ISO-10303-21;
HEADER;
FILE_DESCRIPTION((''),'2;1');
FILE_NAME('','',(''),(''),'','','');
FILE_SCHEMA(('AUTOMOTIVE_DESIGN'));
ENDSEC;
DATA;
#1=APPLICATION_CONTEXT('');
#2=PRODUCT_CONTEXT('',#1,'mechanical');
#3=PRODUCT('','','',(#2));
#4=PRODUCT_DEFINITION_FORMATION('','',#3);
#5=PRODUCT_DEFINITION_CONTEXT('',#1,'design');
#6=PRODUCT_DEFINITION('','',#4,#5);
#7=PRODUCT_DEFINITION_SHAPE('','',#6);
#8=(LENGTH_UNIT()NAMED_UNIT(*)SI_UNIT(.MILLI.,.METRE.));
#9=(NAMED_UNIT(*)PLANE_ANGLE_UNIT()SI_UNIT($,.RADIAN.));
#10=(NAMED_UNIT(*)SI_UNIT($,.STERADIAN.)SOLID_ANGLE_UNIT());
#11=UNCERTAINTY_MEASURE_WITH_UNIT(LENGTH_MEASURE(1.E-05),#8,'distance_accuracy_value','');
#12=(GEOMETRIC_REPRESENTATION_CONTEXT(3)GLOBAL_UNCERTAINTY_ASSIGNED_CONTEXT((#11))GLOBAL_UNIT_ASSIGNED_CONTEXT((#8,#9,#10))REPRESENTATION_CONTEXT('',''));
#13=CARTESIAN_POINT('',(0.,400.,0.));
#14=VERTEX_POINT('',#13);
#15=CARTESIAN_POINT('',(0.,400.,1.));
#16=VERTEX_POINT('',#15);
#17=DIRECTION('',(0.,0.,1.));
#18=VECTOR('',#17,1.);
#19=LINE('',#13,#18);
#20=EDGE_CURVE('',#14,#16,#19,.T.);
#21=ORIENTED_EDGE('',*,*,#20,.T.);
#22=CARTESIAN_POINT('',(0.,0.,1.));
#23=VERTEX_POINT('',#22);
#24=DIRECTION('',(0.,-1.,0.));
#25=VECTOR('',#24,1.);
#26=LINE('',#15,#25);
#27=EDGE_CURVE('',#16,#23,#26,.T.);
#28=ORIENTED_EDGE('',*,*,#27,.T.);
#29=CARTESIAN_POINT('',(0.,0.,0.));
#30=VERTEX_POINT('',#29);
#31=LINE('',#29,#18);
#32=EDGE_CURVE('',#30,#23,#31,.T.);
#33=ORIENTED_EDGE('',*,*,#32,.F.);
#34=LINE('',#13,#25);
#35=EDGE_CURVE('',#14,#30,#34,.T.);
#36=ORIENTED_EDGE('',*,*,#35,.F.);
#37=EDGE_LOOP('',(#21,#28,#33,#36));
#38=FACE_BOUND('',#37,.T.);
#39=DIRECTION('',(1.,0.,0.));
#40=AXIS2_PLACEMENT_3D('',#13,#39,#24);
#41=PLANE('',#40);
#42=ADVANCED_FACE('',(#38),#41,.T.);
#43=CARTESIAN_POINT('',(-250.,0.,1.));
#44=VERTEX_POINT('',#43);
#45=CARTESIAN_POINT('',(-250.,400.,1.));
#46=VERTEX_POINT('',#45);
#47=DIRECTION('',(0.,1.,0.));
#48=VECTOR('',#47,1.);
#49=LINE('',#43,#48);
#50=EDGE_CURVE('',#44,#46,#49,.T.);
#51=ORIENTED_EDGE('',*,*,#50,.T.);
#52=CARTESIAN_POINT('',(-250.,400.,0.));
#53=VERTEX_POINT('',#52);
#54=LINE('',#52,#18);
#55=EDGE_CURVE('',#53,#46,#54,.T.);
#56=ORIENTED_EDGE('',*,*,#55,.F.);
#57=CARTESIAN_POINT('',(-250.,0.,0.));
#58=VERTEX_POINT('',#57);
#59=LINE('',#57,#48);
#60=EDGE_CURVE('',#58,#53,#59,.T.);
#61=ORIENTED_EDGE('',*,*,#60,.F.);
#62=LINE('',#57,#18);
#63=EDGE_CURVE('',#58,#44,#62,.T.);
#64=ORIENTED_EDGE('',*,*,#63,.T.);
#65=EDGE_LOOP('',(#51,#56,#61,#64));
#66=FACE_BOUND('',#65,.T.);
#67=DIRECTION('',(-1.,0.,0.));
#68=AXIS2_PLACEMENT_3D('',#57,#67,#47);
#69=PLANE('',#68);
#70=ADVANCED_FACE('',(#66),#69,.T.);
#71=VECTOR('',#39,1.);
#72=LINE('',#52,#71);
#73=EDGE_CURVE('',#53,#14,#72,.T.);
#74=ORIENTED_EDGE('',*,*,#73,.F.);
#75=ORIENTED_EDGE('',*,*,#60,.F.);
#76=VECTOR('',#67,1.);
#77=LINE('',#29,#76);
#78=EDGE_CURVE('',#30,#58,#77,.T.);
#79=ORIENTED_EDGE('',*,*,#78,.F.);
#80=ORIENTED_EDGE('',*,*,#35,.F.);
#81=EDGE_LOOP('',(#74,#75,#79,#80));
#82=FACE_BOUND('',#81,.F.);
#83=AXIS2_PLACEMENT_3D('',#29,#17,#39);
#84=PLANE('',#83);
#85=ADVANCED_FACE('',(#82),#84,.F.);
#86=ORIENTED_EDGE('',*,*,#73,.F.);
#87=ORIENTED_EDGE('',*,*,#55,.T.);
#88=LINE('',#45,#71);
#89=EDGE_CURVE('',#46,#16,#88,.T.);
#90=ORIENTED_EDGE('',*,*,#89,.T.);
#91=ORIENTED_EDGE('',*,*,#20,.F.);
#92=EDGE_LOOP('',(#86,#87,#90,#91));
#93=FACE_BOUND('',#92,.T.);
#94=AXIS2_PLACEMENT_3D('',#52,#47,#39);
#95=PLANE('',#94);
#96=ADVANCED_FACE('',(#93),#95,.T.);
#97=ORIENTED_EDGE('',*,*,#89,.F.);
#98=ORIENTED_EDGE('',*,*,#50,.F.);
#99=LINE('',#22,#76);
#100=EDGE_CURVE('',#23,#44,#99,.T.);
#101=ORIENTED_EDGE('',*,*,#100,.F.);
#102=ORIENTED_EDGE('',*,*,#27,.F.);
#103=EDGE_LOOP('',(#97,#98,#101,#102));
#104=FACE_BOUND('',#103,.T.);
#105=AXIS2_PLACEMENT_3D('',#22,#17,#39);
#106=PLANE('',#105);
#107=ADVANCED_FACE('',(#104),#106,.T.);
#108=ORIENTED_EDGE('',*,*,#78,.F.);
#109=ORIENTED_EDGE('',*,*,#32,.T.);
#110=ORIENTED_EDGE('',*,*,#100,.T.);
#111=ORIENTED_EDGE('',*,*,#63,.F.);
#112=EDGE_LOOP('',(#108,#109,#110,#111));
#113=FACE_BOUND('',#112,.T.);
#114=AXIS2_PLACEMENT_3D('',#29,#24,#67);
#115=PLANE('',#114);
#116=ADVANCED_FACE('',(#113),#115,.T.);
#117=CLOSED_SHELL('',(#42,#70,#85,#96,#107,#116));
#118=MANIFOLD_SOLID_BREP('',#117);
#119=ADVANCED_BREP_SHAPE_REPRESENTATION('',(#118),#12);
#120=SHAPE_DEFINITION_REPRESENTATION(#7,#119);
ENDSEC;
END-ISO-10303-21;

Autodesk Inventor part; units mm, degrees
ref_plane "YZ Plane" through (0, 0, 0) normal (1, 0, 0) x (0, 1, 0)
ref_plane "XZ Plane" through (0, 0, 0) normal (0, 1, 0) x (-1, 0, 0)
ref_plane "XY Plane" through (0, 0, 0) normal (0, 0, 1) x (1, 0, 0)
sketch "Sketch1" plane through (0, 0, 0) normal (0, 0, 1) x (1, 0, 0)
  line L0 (0, 0) -> (-250, 0)
  line L1 (-250, 0) -> (-250, 400)
  line L2 (-250, 400) -> (0, 400)
  line L3 (0, 400) -> (0, 0)
  dimension "d0" = 250
  dimension "d1" = 400
extrude "Extrusion1" add sketch "Sketch1" along normal blind 1
properties part number "steel-baseplate-400x250" material "Steel, Mild"
